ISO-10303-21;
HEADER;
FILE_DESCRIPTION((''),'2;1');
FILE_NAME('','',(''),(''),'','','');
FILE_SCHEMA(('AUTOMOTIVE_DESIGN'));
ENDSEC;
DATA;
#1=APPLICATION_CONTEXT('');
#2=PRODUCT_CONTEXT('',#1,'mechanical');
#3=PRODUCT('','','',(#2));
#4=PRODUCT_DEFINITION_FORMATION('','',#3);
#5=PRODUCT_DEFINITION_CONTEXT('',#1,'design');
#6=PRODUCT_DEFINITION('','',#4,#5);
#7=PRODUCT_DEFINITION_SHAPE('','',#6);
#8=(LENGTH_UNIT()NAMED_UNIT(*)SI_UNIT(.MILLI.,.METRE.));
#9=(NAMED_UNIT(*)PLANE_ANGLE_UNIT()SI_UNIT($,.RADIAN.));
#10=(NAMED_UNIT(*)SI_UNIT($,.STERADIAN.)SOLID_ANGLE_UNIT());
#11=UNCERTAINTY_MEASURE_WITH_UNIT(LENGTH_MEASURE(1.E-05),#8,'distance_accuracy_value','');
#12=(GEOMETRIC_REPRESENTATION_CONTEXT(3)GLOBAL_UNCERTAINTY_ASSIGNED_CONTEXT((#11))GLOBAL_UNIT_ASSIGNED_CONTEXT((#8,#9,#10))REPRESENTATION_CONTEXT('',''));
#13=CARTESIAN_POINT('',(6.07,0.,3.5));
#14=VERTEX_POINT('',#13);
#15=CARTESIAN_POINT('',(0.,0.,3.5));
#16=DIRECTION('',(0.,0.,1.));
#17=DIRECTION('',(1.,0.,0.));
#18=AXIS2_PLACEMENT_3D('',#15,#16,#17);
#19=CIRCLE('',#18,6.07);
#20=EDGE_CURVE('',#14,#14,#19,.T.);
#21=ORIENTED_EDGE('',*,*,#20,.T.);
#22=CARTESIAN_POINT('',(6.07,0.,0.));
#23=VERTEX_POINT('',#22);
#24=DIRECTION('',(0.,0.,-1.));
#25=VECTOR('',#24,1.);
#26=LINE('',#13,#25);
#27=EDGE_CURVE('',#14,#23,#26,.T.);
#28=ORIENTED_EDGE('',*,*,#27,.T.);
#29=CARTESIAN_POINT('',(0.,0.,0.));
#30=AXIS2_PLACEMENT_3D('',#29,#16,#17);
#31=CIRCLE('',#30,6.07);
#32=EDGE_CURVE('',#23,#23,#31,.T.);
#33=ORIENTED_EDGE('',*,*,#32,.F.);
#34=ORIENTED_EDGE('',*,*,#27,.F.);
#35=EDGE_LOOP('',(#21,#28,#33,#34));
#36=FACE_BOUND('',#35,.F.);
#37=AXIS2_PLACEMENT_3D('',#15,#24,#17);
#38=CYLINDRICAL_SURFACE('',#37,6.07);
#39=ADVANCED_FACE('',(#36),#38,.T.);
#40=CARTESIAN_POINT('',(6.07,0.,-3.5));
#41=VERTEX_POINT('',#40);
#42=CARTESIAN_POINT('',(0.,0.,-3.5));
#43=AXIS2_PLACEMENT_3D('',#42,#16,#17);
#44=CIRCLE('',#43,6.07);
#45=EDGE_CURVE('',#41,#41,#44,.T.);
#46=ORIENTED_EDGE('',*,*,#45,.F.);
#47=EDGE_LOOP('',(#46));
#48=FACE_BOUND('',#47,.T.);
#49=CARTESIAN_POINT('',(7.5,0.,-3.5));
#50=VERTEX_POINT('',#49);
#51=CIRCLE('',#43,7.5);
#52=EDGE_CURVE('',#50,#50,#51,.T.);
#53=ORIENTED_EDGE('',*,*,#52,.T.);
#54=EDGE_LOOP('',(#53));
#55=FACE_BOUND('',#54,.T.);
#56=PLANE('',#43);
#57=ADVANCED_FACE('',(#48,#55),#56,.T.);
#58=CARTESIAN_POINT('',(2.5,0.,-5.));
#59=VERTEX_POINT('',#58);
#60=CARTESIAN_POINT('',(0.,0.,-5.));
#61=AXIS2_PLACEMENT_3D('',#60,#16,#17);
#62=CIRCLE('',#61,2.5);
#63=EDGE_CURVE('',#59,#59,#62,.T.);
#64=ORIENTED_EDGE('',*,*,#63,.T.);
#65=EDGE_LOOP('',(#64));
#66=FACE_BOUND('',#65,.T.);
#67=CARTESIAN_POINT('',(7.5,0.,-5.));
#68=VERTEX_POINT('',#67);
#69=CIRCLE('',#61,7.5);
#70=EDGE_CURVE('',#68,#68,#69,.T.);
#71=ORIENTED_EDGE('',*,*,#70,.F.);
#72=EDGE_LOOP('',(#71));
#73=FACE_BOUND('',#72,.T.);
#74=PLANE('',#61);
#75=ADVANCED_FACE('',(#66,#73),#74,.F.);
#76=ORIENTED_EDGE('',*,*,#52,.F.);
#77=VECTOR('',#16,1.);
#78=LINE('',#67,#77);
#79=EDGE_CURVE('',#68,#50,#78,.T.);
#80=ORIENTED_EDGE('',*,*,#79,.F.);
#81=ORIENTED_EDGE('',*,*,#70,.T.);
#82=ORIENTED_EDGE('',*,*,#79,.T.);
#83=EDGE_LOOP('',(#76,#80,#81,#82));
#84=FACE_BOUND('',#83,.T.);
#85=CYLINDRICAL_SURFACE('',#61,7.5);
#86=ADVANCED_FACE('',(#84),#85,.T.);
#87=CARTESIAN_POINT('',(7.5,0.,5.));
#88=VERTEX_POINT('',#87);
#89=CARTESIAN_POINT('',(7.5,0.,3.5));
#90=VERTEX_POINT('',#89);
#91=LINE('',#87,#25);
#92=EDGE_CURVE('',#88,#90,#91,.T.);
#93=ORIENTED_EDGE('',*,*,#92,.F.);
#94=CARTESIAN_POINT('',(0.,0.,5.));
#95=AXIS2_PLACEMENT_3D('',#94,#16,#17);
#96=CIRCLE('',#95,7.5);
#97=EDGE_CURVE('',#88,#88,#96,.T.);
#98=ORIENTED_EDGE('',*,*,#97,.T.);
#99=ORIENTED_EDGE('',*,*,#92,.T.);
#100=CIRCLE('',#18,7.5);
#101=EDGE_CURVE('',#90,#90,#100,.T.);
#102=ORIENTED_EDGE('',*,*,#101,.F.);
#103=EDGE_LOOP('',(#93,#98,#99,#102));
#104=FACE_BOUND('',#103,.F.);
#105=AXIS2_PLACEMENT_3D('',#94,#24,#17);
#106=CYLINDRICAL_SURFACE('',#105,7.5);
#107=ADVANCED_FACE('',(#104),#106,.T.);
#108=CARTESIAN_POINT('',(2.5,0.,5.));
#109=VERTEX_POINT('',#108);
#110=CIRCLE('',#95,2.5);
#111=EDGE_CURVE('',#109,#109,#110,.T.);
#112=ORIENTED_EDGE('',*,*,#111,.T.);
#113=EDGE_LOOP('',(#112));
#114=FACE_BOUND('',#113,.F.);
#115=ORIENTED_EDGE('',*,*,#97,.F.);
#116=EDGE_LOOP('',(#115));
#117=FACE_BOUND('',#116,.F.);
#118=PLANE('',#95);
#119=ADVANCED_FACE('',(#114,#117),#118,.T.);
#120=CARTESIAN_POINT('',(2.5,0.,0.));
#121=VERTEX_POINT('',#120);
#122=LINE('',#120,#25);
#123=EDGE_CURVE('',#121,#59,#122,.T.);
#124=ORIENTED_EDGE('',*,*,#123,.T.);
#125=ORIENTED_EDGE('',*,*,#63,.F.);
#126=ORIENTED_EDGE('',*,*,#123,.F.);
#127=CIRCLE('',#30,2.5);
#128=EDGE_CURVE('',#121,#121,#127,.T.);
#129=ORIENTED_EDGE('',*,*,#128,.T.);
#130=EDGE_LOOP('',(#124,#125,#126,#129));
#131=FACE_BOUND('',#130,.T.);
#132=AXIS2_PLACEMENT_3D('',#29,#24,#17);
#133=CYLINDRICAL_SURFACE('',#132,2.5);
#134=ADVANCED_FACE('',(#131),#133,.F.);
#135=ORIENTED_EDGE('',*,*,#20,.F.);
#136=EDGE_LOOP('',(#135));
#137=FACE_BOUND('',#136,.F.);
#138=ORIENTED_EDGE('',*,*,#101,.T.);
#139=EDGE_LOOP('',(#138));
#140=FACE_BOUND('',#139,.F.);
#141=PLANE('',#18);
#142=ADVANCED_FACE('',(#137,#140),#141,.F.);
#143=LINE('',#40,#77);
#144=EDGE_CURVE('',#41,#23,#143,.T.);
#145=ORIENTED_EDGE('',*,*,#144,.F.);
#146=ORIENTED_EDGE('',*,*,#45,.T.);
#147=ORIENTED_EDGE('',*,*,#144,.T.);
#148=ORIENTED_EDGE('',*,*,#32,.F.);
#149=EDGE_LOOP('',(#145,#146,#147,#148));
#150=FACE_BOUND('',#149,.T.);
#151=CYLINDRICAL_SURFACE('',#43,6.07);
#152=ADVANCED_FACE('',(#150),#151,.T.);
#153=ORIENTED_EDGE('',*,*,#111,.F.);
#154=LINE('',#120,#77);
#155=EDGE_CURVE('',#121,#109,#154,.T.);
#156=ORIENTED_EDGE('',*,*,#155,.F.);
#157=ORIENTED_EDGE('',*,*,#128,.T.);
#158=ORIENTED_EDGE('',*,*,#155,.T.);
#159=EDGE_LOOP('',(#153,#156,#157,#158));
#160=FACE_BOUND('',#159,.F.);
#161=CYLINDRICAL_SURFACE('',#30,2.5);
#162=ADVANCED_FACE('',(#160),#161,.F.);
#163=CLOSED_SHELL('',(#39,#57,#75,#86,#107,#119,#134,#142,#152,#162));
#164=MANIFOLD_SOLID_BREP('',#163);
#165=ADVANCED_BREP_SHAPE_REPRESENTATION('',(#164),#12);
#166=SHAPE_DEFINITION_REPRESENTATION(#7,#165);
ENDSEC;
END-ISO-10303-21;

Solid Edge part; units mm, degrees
sketch "Sketch1" plane through (0, 0, 0) normal (0, -1, 0) x (1, 0, 0)
  line L0 (2.5, 0) -> (2.5, 5)
  line L1 (2.5, 5) -> (7.5, 5)
  line L2 (7.5, 5) -> (7.5, 3.5)
  line L3 (7.5, 3.5) -> (6.07, 3.5)
  line L4 (6.07, 3.5) -> (6.07, 0)
  line L5 (6.07, -3.5) -> (6.07, 0)
  line L6 (7.5, -3.5) -> (6.07, -3.5)
  line L7 (7.5, -5) -> (7.5, -3.5)
  line L8 (2.5, -5) -> (7.5, -5)
  line L9 (2.5, 0) -> (2.5, -5)
  dimension "D1" = 2.5
  dimension "D2" = 7.5
  dimension "D3" = 5
  dimension "D4" = 3.5
  dimension "D5" = 6.07
revolve "RevolvedProtrusion1" add sketch "Sketch1" angle 360 about axis through (0, 0, 0) along (0, 0, 1)
properties material "Aluminum, 6061-T6"
